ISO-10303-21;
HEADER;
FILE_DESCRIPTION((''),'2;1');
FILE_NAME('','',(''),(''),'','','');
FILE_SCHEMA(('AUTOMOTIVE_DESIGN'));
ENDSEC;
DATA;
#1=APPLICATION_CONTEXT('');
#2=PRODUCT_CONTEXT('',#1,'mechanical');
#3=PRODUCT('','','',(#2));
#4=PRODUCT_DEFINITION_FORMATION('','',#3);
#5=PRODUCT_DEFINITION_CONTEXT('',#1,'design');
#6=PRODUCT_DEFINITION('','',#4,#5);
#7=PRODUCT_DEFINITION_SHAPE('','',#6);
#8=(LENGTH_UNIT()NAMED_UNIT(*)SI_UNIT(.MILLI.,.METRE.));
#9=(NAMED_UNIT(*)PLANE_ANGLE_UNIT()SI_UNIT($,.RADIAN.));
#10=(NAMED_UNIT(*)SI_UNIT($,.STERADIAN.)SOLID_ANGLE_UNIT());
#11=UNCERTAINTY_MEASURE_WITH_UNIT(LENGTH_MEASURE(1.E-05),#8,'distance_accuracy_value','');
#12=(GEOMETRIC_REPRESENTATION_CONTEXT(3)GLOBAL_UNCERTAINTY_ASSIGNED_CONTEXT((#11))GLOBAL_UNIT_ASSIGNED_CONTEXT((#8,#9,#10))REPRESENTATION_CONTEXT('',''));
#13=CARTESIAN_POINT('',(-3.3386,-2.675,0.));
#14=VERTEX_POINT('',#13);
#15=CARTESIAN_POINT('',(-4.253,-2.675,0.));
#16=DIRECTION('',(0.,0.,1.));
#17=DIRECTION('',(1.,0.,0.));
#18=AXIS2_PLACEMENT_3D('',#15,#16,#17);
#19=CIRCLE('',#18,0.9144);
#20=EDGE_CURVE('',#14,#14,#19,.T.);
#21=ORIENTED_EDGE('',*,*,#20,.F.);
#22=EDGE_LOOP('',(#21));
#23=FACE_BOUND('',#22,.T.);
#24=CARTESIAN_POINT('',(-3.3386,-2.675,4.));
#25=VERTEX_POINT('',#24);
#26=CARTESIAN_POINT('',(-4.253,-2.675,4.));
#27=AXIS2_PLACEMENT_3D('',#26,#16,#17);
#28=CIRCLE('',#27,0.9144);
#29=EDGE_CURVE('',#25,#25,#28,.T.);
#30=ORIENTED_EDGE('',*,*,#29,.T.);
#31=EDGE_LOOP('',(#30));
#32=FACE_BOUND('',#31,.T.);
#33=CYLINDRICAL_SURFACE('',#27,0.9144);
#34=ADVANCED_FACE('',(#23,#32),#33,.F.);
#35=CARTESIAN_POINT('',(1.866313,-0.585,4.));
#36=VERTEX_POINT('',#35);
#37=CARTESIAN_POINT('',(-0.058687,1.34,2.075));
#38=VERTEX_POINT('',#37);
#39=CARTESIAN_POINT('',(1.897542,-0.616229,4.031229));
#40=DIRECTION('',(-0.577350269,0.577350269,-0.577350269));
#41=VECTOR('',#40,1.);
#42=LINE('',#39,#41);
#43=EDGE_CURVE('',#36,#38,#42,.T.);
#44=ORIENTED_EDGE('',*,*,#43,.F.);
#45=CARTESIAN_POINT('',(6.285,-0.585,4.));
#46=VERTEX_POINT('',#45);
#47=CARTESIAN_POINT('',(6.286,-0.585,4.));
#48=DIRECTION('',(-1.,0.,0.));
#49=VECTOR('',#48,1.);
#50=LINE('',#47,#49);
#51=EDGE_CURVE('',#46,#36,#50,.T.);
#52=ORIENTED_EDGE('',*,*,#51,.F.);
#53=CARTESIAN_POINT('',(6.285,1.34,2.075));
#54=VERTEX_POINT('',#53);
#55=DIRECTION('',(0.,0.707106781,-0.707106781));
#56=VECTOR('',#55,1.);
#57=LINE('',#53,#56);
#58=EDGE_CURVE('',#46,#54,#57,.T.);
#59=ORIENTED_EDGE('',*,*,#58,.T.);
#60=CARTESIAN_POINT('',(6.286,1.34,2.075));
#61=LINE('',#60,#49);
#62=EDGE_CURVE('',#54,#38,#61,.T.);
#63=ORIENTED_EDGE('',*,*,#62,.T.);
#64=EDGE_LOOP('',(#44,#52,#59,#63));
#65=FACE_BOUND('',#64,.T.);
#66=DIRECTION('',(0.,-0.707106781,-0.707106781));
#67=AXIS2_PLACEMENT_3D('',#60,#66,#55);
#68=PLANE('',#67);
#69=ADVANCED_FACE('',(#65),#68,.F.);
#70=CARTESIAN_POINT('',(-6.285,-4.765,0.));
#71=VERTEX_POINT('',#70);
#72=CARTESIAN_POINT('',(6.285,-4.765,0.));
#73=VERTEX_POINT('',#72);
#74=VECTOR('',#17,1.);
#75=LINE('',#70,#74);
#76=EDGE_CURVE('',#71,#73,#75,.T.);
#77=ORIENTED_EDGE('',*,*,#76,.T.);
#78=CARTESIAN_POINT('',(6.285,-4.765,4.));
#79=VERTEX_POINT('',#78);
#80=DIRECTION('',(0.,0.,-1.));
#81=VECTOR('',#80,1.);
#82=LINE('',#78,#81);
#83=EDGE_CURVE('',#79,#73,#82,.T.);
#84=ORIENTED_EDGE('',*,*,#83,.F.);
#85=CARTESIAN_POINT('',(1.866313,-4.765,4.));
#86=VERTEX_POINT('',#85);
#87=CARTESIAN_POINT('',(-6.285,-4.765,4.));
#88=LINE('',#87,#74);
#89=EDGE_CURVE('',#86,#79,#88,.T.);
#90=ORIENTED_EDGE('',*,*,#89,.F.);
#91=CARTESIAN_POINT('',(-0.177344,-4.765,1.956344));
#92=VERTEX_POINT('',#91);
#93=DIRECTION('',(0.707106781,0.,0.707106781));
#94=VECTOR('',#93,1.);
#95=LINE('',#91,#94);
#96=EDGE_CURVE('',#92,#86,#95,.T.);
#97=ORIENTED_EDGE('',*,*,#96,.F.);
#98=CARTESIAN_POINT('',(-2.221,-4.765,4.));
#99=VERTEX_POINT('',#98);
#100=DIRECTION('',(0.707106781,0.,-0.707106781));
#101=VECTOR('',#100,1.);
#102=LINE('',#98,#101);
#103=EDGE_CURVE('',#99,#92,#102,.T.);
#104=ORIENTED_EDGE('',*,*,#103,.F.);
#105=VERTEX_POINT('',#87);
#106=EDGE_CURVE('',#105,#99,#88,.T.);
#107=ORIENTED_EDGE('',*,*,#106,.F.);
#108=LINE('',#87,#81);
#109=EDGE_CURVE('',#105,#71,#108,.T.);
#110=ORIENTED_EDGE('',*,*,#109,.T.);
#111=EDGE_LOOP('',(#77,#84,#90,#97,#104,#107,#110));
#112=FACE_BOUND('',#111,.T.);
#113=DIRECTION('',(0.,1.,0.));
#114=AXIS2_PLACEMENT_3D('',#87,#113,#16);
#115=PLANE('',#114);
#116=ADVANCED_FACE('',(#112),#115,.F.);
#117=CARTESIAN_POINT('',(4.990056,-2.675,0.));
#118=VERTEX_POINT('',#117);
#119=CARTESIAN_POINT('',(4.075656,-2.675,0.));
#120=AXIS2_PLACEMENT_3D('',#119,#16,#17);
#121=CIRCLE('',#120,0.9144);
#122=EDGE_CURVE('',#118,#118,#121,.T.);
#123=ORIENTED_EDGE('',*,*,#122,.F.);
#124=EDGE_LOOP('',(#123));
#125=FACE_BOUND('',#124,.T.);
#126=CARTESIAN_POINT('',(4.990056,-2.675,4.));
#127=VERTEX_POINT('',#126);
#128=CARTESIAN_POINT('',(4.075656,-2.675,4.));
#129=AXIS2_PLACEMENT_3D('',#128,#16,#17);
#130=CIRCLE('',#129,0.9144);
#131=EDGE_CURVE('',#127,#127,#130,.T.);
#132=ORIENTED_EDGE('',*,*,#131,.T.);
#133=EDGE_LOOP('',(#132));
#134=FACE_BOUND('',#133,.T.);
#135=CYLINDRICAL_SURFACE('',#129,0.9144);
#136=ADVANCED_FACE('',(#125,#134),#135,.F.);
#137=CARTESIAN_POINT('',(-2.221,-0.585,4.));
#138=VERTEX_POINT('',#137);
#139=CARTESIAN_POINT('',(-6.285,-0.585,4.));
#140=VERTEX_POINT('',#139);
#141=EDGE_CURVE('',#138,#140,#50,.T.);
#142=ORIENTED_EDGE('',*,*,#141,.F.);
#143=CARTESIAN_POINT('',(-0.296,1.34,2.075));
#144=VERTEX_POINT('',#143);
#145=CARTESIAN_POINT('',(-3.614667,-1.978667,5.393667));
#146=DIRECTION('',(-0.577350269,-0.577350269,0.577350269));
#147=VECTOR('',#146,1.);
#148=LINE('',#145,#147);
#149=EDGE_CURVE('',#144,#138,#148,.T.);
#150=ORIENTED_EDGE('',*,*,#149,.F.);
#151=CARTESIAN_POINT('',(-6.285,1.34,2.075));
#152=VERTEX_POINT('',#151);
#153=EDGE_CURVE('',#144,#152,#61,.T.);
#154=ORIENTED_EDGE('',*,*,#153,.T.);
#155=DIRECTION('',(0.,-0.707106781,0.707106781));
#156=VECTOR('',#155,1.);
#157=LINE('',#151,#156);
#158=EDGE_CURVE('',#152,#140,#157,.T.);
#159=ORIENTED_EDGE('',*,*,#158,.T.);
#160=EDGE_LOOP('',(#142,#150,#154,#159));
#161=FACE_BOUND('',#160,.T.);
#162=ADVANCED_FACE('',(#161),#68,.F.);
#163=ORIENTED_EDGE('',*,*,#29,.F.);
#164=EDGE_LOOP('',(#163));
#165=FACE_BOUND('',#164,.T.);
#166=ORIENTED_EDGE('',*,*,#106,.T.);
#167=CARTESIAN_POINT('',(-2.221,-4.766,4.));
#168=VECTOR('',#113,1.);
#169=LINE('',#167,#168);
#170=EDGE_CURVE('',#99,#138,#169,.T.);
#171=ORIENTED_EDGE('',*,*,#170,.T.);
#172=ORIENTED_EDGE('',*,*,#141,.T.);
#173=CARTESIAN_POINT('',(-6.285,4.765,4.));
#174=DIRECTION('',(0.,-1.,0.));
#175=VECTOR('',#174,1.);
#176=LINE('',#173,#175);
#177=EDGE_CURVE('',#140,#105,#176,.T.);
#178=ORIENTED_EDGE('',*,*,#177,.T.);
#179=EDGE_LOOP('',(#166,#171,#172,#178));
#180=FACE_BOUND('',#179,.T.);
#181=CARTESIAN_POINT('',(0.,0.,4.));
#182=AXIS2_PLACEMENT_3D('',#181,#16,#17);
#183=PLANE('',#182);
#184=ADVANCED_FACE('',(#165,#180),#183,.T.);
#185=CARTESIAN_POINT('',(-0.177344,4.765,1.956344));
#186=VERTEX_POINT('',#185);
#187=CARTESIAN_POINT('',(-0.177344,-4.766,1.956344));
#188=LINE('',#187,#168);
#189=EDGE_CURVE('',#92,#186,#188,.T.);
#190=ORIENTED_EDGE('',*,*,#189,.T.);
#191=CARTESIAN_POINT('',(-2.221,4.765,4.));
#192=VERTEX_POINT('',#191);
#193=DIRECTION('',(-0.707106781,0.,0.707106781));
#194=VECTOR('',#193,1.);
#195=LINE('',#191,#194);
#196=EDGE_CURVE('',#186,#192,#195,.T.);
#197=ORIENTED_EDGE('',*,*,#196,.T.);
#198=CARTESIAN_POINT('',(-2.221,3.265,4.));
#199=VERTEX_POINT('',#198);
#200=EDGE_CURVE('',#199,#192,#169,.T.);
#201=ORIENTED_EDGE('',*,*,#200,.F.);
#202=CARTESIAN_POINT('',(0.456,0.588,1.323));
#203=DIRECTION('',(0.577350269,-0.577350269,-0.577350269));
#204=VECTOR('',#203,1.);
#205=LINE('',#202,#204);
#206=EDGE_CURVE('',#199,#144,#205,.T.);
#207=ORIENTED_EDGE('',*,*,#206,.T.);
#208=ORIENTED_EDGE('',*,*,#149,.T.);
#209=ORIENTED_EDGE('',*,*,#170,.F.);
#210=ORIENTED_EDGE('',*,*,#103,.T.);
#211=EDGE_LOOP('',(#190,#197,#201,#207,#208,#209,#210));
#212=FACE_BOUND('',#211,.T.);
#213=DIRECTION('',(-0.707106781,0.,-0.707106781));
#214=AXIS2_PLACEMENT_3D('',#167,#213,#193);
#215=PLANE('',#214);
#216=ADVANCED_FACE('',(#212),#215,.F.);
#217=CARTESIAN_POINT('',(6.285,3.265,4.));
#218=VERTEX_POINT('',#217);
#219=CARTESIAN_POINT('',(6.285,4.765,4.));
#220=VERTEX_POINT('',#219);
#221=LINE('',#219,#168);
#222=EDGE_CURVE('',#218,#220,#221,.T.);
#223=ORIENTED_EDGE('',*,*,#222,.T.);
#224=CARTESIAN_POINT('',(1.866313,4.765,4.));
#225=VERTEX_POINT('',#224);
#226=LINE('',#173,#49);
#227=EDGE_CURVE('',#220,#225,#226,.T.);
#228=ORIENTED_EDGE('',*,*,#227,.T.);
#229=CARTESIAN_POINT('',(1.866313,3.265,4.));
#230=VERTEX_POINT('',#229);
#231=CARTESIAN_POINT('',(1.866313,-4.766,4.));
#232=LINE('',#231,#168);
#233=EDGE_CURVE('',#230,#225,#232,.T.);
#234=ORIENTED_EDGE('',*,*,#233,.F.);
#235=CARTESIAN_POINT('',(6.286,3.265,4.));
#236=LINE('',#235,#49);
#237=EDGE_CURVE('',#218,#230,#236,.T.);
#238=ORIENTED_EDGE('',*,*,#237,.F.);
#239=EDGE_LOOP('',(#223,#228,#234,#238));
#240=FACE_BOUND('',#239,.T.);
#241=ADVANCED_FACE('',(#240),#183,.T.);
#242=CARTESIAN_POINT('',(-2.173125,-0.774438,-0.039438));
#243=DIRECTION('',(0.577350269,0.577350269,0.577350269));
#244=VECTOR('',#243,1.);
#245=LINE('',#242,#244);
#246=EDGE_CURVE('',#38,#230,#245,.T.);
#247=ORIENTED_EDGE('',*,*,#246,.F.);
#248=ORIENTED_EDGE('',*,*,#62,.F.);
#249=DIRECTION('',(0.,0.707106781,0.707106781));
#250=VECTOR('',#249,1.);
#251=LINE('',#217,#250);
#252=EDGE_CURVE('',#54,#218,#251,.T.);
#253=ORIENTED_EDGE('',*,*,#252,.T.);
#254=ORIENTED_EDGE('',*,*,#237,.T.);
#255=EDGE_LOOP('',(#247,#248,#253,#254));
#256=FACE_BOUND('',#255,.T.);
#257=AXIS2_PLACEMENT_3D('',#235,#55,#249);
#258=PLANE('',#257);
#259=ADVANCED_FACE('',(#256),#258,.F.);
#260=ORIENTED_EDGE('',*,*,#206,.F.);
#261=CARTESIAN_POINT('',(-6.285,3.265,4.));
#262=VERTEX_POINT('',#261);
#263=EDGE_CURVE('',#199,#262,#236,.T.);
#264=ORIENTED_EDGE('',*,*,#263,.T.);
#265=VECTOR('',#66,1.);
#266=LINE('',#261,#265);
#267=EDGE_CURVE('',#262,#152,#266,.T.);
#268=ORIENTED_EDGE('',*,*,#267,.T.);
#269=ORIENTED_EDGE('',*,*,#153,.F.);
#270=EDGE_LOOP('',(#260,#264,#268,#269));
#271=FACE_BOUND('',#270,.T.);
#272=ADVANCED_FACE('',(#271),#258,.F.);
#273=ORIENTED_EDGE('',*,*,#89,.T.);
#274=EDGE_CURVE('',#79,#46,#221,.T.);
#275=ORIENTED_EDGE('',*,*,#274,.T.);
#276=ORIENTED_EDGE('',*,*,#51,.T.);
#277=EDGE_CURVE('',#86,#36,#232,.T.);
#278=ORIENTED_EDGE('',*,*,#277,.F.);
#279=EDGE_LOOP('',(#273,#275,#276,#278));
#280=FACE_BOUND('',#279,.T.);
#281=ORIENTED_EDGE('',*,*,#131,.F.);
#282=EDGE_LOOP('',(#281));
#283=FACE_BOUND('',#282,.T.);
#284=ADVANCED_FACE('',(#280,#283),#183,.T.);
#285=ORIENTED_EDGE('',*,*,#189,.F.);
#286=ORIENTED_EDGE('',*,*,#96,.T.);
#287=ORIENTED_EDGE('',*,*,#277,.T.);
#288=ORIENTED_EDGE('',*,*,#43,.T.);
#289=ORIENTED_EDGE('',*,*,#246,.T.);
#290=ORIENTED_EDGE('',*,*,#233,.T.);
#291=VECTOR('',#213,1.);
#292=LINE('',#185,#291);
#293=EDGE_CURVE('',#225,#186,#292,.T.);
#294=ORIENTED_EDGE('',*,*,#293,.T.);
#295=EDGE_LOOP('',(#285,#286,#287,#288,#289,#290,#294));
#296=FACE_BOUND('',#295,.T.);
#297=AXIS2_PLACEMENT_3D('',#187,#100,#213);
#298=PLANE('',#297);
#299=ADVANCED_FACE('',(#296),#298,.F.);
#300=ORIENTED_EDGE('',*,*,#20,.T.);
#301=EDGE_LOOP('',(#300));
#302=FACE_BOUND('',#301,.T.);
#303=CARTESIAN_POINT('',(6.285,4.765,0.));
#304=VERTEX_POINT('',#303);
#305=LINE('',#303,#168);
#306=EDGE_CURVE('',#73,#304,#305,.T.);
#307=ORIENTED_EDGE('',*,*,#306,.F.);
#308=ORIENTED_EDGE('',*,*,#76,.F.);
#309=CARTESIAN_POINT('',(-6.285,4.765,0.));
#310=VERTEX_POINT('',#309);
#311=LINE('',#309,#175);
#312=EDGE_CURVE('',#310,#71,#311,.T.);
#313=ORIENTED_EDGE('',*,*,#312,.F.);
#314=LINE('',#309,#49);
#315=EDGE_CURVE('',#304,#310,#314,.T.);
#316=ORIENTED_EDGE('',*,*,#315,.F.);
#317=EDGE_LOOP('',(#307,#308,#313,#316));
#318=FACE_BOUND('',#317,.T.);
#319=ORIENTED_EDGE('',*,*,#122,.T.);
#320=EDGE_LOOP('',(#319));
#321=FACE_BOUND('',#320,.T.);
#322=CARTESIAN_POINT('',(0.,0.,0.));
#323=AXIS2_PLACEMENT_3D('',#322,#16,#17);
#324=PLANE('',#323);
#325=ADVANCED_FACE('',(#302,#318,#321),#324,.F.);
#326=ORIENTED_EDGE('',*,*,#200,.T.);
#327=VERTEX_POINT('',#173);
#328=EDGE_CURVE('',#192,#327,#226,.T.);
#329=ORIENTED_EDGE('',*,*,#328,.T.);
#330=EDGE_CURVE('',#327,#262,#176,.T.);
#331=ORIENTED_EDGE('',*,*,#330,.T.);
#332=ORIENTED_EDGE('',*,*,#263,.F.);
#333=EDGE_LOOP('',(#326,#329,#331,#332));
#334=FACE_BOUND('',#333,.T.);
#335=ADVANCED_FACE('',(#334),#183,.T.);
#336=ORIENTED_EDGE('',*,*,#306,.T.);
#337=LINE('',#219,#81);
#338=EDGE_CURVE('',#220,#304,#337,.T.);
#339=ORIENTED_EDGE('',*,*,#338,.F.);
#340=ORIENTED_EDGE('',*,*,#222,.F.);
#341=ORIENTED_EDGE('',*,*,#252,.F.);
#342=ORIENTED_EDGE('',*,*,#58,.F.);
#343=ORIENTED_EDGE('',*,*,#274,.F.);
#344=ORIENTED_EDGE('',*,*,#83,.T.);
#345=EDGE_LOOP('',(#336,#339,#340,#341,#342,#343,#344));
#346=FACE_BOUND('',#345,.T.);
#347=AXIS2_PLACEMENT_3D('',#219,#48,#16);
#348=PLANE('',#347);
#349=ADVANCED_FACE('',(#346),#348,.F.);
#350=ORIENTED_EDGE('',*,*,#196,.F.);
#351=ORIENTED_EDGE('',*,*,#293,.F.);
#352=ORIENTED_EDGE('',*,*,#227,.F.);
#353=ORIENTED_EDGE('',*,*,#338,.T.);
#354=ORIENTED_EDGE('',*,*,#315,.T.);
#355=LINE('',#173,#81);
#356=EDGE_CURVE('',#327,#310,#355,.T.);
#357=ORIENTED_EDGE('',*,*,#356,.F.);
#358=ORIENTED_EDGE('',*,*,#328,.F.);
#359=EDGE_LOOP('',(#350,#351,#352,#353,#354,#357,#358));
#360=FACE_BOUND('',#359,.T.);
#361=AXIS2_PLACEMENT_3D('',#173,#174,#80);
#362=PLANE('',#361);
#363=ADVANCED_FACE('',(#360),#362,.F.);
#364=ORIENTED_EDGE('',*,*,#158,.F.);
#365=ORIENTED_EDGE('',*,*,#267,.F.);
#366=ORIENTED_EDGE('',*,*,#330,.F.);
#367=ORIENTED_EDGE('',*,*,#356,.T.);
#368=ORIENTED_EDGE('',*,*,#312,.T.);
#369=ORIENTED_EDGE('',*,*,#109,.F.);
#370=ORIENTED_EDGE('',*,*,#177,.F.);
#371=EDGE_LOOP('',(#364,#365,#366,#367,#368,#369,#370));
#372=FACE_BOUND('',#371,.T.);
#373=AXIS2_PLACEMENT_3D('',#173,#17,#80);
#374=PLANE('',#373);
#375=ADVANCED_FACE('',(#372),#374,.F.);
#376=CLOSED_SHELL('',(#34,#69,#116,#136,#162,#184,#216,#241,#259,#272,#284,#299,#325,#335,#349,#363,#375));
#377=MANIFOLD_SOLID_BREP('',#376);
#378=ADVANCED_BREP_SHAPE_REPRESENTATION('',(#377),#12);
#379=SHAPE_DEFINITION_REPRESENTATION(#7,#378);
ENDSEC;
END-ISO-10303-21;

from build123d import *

# Parameters (mm, degrees)
SKETCH1_W                 = 12.57
SKETCH1_H                 = 9.53
BOSS_EXTRUDE1_DEPTH       = 4
CUT_EXTRUDE1_REACH        = 14.57
CUT_EXTRUDE2_REACH        = 11.53
F_1_72_TAPPED_HOLE1_D     = 1.8288
F_1_72_TAPPED_HOLE1_DEPTH = 4


with BuildPart() as part:
    # Sketch1 → Boss-Extrude1 (new body)
    with BuildSketch(Plane.XY):
        Rectangle(SKETCH1_W, SKETCH1_H)
    extrude(amount=BOSS_EXTRUDE1_DEPTH)

    # Sketch2 → Cut-Extrude1 (cut, up to next)
    with BuildSketch(Plane.ZY.offset(6.285), mode=Mode.PRIVATE) as cut_extrude1_sk1:
        Polygon((4, 3.265), (4, -0.585), (2.075, 1.34), align=None)
    cut_extrude1_tool1 = extrude(cut_extrude1_sk1.sketch, amount=-CUT_EXTRUDE1_REACH, mode=Mode.PRIVATE) & part.part
    add(cut_extrude1_tool1.solids().sort_by_distance((-6.285, 1.34, 3.358333))[0], mode=Mode.SUBTRACT)

    # Sketch3 → Cut-Extrude2 (cut, up to next)
    with BuildSketch(Plane(origin=(0, 4.765, 0), x_dir=(1, 0, 0), z_dir=(0, 1, 0)), mode=Mode.PRIVATE) as cut_extrude2_sk1:
        Polygon((-2.221, -4), (-0.177343653, -1.956343653), (1.866312693, -4), align=None)
    cut_extrude2_tool1 = extrude(cut_extrude2_sk1.sketch, amount=-CUT_EXTRUDE2_REACH, mode=Mode.PRIVATE) & part.part
    add(cut_extrude2_tool1.solids().sort_by_distance((-0.177344, 4.765, 3.318781))[0], mode=Mode.SUBTRACT)

    # #1-72 Tapped Hole1
    with Locations(Plane.XY.offset(4)):
        with Locations((-4.253, -2.675), (4.075656347, -2.675)):
            Hole(F_1_72_TAPPED_HOLE1_D / 2, depth=F_1_72_TAPPED_HOLE1_DEPTH)


solid = part.part
